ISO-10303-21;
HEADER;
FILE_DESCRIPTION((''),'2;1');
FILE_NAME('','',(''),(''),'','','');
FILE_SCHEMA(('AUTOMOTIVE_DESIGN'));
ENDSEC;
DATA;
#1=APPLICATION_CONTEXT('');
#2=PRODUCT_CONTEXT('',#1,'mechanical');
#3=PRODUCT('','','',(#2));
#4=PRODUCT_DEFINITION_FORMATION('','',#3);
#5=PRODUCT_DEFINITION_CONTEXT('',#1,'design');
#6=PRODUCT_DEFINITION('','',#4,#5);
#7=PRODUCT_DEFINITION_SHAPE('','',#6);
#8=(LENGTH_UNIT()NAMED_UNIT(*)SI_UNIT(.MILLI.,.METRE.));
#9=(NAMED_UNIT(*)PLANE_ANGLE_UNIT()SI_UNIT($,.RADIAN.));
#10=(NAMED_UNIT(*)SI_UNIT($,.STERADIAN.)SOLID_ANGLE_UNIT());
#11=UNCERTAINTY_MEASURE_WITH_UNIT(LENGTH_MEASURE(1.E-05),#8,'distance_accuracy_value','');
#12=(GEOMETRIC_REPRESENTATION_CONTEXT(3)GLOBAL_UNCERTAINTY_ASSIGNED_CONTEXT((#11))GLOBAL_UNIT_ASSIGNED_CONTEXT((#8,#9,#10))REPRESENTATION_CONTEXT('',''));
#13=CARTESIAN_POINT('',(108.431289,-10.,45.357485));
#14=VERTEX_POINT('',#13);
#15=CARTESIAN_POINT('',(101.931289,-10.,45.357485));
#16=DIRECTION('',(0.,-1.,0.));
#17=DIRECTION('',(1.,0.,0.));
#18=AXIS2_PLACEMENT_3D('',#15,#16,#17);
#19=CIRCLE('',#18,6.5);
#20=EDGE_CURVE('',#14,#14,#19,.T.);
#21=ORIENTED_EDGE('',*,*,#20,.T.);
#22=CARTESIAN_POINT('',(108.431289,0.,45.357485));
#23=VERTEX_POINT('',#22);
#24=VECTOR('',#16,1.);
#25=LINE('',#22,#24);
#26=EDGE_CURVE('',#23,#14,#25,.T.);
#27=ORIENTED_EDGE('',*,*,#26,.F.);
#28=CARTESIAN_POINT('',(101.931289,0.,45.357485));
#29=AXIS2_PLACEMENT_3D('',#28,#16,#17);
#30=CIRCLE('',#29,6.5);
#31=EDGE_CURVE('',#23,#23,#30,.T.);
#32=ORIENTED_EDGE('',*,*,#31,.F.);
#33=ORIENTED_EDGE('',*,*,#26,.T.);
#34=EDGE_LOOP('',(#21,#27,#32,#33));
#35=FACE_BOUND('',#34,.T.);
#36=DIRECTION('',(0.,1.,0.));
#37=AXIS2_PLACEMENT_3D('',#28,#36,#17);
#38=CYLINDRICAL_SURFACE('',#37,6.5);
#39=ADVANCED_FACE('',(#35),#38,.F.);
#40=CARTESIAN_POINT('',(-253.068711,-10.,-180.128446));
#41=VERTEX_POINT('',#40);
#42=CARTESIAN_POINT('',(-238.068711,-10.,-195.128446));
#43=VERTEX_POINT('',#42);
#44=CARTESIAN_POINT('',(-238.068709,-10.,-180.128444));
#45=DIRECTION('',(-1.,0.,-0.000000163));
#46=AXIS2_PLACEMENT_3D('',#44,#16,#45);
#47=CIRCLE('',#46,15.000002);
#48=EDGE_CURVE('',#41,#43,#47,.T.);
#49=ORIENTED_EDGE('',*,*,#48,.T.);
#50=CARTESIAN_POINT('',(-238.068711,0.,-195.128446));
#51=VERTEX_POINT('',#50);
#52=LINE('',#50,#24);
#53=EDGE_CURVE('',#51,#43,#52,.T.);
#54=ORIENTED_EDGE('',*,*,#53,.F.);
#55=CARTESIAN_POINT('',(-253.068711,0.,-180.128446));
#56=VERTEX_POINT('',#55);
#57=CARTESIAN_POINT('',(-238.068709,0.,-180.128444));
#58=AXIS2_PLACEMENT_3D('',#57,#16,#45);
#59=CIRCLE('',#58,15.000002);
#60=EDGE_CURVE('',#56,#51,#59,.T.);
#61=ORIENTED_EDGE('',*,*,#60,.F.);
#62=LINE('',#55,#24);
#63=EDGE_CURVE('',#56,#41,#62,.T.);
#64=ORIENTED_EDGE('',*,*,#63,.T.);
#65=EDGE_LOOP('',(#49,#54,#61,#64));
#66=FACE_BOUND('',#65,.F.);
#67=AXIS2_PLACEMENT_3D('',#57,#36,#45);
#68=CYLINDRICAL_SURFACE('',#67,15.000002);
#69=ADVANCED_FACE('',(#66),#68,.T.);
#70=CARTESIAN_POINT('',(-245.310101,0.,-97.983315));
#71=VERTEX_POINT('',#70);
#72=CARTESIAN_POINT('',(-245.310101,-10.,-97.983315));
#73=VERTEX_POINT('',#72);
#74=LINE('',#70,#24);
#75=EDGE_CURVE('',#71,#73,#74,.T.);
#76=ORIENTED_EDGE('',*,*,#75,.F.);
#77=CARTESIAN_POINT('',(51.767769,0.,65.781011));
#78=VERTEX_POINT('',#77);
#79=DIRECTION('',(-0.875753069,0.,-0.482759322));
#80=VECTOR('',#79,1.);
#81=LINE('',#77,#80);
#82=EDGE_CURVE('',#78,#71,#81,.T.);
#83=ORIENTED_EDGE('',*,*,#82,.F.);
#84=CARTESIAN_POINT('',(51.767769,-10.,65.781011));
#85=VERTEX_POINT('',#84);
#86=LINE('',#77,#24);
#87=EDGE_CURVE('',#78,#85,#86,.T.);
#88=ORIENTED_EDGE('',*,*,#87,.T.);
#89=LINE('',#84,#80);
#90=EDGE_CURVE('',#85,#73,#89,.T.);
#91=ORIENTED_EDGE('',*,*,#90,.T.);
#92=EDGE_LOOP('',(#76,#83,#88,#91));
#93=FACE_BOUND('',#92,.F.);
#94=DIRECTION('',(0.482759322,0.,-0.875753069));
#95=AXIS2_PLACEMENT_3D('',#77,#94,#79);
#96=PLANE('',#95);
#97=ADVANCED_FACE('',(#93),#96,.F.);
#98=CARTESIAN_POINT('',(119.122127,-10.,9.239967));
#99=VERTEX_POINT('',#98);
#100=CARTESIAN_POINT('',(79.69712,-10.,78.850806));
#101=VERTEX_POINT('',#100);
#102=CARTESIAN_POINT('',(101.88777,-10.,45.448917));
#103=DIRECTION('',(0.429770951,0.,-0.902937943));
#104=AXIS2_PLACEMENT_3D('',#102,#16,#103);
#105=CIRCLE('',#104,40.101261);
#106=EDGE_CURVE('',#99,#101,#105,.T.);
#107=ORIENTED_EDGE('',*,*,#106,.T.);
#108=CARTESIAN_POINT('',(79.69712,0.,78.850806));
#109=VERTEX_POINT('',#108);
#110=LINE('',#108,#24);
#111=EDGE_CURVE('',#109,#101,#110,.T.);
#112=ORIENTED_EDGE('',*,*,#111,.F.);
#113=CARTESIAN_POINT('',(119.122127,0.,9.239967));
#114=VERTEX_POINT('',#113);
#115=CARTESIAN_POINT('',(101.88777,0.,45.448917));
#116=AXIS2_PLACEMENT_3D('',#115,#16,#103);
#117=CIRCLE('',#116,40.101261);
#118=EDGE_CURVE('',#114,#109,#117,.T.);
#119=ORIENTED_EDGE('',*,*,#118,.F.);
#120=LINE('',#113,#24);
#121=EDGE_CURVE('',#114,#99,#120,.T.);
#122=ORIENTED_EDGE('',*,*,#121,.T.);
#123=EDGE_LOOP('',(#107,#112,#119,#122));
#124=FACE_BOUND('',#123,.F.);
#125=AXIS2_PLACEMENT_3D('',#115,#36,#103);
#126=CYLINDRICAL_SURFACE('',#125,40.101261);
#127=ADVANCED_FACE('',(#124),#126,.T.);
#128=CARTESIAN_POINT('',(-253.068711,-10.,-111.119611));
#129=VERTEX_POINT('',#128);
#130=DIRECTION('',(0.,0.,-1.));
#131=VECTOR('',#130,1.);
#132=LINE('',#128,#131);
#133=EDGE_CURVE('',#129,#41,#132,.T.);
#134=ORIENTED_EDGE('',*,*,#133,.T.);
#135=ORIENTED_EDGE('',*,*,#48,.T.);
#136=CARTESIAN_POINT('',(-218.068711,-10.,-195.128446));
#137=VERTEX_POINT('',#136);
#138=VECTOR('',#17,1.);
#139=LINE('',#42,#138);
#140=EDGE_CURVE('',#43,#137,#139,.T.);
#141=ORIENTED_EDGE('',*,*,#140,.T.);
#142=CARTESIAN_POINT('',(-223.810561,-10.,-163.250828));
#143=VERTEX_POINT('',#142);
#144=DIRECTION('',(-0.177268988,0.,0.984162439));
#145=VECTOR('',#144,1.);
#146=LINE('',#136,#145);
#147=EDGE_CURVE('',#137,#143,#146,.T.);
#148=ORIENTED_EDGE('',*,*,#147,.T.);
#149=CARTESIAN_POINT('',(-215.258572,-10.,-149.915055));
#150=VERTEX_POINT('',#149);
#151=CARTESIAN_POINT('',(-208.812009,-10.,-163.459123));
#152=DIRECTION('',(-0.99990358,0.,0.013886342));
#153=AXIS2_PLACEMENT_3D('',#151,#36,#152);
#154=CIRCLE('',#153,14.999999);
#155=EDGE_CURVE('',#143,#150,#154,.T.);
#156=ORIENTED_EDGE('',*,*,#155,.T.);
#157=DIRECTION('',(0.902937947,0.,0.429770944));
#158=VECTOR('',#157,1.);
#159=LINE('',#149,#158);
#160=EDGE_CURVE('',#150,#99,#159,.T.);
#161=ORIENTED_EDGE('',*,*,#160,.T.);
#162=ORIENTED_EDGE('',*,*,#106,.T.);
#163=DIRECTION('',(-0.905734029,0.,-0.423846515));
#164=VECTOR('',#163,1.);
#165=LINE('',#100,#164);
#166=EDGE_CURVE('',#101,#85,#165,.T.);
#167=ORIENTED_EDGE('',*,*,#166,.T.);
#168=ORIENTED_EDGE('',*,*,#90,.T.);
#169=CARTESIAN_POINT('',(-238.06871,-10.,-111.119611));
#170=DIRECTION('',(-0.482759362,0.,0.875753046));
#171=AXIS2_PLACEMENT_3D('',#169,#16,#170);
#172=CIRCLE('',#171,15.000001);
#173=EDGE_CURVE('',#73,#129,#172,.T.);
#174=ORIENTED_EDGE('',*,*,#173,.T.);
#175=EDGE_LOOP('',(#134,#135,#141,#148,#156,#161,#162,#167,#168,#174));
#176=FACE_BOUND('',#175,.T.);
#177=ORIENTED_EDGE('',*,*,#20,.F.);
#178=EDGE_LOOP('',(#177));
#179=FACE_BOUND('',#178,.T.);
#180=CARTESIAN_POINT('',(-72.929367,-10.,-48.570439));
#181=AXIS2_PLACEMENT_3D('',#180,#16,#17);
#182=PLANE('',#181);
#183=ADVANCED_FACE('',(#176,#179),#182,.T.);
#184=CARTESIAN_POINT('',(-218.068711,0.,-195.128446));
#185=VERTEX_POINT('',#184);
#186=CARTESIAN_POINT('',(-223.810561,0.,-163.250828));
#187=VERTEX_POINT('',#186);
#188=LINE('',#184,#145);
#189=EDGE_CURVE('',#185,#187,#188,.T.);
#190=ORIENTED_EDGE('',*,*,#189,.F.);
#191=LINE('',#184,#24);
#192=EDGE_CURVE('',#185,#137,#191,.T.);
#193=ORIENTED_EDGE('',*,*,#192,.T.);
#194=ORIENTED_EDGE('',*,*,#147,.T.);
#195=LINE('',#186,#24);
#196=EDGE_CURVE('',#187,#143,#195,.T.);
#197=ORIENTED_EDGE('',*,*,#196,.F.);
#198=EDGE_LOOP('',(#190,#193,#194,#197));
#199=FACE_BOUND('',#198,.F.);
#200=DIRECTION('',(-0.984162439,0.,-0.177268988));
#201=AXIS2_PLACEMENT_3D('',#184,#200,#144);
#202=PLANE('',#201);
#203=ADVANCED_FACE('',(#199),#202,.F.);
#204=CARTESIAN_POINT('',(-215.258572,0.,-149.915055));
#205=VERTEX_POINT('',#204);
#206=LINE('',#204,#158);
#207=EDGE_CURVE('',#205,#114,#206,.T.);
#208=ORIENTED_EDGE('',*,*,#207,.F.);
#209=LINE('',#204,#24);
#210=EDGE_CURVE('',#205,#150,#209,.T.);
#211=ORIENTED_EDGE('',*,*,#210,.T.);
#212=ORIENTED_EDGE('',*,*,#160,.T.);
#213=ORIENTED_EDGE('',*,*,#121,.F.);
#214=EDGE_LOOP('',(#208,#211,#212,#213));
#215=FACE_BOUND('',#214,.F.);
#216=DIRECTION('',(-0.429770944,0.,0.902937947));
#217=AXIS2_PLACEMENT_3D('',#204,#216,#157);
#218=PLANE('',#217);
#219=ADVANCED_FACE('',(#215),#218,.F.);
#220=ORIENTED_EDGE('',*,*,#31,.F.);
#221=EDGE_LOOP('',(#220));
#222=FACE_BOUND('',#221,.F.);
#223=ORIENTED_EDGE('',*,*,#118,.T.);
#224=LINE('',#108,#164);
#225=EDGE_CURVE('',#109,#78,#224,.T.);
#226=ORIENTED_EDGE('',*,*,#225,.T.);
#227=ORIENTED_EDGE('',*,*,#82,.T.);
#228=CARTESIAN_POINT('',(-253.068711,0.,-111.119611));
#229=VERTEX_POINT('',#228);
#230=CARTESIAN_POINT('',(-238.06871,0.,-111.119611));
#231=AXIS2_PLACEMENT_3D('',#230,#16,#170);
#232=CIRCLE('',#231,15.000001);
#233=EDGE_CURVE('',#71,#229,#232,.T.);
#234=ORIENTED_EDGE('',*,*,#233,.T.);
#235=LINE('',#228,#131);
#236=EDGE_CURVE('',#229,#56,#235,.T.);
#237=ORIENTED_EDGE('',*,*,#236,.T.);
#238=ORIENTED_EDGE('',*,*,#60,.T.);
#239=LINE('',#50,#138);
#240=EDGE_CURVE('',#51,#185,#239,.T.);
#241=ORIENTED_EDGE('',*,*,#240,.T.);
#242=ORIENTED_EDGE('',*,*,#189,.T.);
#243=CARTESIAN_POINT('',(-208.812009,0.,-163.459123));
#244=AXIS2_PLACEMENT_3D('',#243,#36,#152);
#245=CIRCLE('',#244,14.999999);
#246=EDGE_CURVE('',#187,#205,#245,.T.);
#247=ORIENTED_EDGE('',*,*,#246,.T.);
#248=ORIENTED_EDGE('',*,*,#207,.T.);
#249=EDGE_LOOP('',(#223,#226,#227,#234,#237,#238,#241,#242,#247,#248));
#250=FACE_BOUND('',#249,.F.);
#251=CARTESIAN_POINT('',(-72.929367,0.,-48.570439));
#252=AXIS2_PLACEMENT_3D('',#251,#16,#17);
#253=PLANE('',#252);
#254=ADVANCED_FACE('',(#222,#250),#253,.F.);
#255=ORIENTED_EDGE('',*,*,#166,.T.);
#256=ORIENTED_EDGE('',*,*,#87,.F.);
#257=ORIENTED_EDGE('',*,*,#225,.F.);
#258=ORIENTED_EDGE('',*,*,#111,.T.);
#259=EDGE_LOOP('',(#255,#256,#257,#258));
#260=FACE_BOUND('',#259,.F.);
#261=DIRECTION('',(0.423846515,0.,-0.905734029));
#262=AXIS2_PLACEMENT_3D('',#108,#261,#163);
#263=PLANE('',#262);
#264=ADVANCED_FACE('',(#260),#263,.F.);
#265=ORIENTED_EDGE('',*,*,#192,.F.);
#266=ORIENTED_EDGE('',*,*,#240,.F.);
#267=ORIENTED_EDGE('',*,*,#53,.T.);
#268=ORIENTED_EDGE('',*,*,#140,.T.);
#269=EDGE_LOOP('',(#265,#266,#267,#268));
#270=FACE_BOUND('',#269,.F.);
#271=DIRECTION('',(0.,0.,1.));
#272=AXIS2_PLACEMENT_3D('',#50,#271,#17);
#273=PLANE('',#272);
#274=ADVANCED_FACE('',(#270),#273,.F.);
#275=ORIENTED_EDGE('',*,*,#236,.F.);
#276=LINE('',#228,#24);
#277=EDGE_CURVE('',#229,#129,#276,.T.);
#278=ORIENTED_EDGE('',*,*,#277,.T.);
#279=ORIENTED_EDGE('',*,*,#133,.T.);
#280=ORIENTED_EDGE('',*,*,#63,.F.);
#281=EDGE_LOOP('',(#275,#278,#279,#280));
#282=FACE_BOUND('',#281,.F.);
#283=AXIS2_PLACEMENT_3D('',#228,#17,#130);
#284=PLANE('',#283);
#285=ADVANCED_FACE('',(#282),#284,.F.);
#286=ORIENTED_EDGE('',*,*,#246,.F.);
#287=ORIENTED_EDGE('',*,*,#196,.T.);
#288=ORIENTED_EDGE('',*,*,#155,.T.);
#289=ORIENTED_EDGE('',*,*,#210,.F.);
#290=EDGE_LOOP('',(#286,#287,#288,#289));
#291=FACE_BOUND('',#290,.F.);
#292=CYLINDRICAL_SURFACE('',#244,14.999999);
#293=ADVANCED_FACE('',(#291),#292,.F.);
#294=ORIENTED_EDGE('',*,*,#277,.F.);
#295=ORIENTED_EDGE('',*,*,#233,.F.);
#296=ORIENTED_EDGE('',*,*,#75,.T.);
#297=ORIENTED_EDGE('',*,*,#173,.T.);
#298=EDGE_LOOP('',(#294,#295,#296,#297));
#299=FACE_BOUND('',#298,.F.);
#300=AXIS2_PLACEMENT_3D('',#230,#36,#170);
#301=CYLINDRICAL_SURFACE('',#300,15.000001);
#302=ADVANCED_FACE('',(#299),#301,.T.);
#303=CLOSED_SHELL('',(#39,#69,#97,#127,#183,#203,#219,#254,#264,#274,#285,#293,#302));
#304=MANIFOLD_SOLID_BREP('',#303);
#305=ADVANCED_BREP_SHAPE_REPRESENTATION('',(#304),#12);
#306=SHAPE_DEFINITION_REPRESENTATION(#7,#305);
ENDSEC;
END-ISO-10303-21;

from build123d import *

# Parameters (mm, degrees)
F0_R     = 6.5
F1_DEPTH = 10


with BuildPart() as f1:
    # F0 (on Front) → F1 (new body)
    with BuildSketch(Plane.XZ):
        with BuildLine():
            Line((51.767769, 65.781011), (-245.310101, -97.983315))
            ThreePointArc((-245.310101, -97.983315), (-250.984222, -103.491402), (-253.068711, -111.119611))
            Line((-253.068711, -111.119611), (-253.068711, -180.128446))
            ThreePointArc((-253.068711, -180.128446), (-248.675312, -190.735047), (-238.068711, -195.128446))
            Line((-238.068711, -195.128446), (-228.271746, -195.128446))
            Line((-228.271746, -195.128446), (-218.068711, -195.128446))
            Line((-218.068711, -195.128446), (-223.810561, -163.250828))
            ThreePointArc((-223.810561, -163.250828), (-221.438725, -155.36184), (-215.258572, -149.915055))
            Line((-215.258572, -149.915055), (119.122127, 9.239967))
            ThreePointArc((119.122127, 9.239967), (136.7813, 65.211323), (79.69712, 78.850806))
            Line((79.69712, 78.850806), (51.767769, 65.781011))
        make_face()
        with Locations((101.931289, 45.357485)):
            Circle(F0_R, mode=Mode.SUBTRACT)
    extrude(amount=F1_DEPTH)


solid = f1.part
